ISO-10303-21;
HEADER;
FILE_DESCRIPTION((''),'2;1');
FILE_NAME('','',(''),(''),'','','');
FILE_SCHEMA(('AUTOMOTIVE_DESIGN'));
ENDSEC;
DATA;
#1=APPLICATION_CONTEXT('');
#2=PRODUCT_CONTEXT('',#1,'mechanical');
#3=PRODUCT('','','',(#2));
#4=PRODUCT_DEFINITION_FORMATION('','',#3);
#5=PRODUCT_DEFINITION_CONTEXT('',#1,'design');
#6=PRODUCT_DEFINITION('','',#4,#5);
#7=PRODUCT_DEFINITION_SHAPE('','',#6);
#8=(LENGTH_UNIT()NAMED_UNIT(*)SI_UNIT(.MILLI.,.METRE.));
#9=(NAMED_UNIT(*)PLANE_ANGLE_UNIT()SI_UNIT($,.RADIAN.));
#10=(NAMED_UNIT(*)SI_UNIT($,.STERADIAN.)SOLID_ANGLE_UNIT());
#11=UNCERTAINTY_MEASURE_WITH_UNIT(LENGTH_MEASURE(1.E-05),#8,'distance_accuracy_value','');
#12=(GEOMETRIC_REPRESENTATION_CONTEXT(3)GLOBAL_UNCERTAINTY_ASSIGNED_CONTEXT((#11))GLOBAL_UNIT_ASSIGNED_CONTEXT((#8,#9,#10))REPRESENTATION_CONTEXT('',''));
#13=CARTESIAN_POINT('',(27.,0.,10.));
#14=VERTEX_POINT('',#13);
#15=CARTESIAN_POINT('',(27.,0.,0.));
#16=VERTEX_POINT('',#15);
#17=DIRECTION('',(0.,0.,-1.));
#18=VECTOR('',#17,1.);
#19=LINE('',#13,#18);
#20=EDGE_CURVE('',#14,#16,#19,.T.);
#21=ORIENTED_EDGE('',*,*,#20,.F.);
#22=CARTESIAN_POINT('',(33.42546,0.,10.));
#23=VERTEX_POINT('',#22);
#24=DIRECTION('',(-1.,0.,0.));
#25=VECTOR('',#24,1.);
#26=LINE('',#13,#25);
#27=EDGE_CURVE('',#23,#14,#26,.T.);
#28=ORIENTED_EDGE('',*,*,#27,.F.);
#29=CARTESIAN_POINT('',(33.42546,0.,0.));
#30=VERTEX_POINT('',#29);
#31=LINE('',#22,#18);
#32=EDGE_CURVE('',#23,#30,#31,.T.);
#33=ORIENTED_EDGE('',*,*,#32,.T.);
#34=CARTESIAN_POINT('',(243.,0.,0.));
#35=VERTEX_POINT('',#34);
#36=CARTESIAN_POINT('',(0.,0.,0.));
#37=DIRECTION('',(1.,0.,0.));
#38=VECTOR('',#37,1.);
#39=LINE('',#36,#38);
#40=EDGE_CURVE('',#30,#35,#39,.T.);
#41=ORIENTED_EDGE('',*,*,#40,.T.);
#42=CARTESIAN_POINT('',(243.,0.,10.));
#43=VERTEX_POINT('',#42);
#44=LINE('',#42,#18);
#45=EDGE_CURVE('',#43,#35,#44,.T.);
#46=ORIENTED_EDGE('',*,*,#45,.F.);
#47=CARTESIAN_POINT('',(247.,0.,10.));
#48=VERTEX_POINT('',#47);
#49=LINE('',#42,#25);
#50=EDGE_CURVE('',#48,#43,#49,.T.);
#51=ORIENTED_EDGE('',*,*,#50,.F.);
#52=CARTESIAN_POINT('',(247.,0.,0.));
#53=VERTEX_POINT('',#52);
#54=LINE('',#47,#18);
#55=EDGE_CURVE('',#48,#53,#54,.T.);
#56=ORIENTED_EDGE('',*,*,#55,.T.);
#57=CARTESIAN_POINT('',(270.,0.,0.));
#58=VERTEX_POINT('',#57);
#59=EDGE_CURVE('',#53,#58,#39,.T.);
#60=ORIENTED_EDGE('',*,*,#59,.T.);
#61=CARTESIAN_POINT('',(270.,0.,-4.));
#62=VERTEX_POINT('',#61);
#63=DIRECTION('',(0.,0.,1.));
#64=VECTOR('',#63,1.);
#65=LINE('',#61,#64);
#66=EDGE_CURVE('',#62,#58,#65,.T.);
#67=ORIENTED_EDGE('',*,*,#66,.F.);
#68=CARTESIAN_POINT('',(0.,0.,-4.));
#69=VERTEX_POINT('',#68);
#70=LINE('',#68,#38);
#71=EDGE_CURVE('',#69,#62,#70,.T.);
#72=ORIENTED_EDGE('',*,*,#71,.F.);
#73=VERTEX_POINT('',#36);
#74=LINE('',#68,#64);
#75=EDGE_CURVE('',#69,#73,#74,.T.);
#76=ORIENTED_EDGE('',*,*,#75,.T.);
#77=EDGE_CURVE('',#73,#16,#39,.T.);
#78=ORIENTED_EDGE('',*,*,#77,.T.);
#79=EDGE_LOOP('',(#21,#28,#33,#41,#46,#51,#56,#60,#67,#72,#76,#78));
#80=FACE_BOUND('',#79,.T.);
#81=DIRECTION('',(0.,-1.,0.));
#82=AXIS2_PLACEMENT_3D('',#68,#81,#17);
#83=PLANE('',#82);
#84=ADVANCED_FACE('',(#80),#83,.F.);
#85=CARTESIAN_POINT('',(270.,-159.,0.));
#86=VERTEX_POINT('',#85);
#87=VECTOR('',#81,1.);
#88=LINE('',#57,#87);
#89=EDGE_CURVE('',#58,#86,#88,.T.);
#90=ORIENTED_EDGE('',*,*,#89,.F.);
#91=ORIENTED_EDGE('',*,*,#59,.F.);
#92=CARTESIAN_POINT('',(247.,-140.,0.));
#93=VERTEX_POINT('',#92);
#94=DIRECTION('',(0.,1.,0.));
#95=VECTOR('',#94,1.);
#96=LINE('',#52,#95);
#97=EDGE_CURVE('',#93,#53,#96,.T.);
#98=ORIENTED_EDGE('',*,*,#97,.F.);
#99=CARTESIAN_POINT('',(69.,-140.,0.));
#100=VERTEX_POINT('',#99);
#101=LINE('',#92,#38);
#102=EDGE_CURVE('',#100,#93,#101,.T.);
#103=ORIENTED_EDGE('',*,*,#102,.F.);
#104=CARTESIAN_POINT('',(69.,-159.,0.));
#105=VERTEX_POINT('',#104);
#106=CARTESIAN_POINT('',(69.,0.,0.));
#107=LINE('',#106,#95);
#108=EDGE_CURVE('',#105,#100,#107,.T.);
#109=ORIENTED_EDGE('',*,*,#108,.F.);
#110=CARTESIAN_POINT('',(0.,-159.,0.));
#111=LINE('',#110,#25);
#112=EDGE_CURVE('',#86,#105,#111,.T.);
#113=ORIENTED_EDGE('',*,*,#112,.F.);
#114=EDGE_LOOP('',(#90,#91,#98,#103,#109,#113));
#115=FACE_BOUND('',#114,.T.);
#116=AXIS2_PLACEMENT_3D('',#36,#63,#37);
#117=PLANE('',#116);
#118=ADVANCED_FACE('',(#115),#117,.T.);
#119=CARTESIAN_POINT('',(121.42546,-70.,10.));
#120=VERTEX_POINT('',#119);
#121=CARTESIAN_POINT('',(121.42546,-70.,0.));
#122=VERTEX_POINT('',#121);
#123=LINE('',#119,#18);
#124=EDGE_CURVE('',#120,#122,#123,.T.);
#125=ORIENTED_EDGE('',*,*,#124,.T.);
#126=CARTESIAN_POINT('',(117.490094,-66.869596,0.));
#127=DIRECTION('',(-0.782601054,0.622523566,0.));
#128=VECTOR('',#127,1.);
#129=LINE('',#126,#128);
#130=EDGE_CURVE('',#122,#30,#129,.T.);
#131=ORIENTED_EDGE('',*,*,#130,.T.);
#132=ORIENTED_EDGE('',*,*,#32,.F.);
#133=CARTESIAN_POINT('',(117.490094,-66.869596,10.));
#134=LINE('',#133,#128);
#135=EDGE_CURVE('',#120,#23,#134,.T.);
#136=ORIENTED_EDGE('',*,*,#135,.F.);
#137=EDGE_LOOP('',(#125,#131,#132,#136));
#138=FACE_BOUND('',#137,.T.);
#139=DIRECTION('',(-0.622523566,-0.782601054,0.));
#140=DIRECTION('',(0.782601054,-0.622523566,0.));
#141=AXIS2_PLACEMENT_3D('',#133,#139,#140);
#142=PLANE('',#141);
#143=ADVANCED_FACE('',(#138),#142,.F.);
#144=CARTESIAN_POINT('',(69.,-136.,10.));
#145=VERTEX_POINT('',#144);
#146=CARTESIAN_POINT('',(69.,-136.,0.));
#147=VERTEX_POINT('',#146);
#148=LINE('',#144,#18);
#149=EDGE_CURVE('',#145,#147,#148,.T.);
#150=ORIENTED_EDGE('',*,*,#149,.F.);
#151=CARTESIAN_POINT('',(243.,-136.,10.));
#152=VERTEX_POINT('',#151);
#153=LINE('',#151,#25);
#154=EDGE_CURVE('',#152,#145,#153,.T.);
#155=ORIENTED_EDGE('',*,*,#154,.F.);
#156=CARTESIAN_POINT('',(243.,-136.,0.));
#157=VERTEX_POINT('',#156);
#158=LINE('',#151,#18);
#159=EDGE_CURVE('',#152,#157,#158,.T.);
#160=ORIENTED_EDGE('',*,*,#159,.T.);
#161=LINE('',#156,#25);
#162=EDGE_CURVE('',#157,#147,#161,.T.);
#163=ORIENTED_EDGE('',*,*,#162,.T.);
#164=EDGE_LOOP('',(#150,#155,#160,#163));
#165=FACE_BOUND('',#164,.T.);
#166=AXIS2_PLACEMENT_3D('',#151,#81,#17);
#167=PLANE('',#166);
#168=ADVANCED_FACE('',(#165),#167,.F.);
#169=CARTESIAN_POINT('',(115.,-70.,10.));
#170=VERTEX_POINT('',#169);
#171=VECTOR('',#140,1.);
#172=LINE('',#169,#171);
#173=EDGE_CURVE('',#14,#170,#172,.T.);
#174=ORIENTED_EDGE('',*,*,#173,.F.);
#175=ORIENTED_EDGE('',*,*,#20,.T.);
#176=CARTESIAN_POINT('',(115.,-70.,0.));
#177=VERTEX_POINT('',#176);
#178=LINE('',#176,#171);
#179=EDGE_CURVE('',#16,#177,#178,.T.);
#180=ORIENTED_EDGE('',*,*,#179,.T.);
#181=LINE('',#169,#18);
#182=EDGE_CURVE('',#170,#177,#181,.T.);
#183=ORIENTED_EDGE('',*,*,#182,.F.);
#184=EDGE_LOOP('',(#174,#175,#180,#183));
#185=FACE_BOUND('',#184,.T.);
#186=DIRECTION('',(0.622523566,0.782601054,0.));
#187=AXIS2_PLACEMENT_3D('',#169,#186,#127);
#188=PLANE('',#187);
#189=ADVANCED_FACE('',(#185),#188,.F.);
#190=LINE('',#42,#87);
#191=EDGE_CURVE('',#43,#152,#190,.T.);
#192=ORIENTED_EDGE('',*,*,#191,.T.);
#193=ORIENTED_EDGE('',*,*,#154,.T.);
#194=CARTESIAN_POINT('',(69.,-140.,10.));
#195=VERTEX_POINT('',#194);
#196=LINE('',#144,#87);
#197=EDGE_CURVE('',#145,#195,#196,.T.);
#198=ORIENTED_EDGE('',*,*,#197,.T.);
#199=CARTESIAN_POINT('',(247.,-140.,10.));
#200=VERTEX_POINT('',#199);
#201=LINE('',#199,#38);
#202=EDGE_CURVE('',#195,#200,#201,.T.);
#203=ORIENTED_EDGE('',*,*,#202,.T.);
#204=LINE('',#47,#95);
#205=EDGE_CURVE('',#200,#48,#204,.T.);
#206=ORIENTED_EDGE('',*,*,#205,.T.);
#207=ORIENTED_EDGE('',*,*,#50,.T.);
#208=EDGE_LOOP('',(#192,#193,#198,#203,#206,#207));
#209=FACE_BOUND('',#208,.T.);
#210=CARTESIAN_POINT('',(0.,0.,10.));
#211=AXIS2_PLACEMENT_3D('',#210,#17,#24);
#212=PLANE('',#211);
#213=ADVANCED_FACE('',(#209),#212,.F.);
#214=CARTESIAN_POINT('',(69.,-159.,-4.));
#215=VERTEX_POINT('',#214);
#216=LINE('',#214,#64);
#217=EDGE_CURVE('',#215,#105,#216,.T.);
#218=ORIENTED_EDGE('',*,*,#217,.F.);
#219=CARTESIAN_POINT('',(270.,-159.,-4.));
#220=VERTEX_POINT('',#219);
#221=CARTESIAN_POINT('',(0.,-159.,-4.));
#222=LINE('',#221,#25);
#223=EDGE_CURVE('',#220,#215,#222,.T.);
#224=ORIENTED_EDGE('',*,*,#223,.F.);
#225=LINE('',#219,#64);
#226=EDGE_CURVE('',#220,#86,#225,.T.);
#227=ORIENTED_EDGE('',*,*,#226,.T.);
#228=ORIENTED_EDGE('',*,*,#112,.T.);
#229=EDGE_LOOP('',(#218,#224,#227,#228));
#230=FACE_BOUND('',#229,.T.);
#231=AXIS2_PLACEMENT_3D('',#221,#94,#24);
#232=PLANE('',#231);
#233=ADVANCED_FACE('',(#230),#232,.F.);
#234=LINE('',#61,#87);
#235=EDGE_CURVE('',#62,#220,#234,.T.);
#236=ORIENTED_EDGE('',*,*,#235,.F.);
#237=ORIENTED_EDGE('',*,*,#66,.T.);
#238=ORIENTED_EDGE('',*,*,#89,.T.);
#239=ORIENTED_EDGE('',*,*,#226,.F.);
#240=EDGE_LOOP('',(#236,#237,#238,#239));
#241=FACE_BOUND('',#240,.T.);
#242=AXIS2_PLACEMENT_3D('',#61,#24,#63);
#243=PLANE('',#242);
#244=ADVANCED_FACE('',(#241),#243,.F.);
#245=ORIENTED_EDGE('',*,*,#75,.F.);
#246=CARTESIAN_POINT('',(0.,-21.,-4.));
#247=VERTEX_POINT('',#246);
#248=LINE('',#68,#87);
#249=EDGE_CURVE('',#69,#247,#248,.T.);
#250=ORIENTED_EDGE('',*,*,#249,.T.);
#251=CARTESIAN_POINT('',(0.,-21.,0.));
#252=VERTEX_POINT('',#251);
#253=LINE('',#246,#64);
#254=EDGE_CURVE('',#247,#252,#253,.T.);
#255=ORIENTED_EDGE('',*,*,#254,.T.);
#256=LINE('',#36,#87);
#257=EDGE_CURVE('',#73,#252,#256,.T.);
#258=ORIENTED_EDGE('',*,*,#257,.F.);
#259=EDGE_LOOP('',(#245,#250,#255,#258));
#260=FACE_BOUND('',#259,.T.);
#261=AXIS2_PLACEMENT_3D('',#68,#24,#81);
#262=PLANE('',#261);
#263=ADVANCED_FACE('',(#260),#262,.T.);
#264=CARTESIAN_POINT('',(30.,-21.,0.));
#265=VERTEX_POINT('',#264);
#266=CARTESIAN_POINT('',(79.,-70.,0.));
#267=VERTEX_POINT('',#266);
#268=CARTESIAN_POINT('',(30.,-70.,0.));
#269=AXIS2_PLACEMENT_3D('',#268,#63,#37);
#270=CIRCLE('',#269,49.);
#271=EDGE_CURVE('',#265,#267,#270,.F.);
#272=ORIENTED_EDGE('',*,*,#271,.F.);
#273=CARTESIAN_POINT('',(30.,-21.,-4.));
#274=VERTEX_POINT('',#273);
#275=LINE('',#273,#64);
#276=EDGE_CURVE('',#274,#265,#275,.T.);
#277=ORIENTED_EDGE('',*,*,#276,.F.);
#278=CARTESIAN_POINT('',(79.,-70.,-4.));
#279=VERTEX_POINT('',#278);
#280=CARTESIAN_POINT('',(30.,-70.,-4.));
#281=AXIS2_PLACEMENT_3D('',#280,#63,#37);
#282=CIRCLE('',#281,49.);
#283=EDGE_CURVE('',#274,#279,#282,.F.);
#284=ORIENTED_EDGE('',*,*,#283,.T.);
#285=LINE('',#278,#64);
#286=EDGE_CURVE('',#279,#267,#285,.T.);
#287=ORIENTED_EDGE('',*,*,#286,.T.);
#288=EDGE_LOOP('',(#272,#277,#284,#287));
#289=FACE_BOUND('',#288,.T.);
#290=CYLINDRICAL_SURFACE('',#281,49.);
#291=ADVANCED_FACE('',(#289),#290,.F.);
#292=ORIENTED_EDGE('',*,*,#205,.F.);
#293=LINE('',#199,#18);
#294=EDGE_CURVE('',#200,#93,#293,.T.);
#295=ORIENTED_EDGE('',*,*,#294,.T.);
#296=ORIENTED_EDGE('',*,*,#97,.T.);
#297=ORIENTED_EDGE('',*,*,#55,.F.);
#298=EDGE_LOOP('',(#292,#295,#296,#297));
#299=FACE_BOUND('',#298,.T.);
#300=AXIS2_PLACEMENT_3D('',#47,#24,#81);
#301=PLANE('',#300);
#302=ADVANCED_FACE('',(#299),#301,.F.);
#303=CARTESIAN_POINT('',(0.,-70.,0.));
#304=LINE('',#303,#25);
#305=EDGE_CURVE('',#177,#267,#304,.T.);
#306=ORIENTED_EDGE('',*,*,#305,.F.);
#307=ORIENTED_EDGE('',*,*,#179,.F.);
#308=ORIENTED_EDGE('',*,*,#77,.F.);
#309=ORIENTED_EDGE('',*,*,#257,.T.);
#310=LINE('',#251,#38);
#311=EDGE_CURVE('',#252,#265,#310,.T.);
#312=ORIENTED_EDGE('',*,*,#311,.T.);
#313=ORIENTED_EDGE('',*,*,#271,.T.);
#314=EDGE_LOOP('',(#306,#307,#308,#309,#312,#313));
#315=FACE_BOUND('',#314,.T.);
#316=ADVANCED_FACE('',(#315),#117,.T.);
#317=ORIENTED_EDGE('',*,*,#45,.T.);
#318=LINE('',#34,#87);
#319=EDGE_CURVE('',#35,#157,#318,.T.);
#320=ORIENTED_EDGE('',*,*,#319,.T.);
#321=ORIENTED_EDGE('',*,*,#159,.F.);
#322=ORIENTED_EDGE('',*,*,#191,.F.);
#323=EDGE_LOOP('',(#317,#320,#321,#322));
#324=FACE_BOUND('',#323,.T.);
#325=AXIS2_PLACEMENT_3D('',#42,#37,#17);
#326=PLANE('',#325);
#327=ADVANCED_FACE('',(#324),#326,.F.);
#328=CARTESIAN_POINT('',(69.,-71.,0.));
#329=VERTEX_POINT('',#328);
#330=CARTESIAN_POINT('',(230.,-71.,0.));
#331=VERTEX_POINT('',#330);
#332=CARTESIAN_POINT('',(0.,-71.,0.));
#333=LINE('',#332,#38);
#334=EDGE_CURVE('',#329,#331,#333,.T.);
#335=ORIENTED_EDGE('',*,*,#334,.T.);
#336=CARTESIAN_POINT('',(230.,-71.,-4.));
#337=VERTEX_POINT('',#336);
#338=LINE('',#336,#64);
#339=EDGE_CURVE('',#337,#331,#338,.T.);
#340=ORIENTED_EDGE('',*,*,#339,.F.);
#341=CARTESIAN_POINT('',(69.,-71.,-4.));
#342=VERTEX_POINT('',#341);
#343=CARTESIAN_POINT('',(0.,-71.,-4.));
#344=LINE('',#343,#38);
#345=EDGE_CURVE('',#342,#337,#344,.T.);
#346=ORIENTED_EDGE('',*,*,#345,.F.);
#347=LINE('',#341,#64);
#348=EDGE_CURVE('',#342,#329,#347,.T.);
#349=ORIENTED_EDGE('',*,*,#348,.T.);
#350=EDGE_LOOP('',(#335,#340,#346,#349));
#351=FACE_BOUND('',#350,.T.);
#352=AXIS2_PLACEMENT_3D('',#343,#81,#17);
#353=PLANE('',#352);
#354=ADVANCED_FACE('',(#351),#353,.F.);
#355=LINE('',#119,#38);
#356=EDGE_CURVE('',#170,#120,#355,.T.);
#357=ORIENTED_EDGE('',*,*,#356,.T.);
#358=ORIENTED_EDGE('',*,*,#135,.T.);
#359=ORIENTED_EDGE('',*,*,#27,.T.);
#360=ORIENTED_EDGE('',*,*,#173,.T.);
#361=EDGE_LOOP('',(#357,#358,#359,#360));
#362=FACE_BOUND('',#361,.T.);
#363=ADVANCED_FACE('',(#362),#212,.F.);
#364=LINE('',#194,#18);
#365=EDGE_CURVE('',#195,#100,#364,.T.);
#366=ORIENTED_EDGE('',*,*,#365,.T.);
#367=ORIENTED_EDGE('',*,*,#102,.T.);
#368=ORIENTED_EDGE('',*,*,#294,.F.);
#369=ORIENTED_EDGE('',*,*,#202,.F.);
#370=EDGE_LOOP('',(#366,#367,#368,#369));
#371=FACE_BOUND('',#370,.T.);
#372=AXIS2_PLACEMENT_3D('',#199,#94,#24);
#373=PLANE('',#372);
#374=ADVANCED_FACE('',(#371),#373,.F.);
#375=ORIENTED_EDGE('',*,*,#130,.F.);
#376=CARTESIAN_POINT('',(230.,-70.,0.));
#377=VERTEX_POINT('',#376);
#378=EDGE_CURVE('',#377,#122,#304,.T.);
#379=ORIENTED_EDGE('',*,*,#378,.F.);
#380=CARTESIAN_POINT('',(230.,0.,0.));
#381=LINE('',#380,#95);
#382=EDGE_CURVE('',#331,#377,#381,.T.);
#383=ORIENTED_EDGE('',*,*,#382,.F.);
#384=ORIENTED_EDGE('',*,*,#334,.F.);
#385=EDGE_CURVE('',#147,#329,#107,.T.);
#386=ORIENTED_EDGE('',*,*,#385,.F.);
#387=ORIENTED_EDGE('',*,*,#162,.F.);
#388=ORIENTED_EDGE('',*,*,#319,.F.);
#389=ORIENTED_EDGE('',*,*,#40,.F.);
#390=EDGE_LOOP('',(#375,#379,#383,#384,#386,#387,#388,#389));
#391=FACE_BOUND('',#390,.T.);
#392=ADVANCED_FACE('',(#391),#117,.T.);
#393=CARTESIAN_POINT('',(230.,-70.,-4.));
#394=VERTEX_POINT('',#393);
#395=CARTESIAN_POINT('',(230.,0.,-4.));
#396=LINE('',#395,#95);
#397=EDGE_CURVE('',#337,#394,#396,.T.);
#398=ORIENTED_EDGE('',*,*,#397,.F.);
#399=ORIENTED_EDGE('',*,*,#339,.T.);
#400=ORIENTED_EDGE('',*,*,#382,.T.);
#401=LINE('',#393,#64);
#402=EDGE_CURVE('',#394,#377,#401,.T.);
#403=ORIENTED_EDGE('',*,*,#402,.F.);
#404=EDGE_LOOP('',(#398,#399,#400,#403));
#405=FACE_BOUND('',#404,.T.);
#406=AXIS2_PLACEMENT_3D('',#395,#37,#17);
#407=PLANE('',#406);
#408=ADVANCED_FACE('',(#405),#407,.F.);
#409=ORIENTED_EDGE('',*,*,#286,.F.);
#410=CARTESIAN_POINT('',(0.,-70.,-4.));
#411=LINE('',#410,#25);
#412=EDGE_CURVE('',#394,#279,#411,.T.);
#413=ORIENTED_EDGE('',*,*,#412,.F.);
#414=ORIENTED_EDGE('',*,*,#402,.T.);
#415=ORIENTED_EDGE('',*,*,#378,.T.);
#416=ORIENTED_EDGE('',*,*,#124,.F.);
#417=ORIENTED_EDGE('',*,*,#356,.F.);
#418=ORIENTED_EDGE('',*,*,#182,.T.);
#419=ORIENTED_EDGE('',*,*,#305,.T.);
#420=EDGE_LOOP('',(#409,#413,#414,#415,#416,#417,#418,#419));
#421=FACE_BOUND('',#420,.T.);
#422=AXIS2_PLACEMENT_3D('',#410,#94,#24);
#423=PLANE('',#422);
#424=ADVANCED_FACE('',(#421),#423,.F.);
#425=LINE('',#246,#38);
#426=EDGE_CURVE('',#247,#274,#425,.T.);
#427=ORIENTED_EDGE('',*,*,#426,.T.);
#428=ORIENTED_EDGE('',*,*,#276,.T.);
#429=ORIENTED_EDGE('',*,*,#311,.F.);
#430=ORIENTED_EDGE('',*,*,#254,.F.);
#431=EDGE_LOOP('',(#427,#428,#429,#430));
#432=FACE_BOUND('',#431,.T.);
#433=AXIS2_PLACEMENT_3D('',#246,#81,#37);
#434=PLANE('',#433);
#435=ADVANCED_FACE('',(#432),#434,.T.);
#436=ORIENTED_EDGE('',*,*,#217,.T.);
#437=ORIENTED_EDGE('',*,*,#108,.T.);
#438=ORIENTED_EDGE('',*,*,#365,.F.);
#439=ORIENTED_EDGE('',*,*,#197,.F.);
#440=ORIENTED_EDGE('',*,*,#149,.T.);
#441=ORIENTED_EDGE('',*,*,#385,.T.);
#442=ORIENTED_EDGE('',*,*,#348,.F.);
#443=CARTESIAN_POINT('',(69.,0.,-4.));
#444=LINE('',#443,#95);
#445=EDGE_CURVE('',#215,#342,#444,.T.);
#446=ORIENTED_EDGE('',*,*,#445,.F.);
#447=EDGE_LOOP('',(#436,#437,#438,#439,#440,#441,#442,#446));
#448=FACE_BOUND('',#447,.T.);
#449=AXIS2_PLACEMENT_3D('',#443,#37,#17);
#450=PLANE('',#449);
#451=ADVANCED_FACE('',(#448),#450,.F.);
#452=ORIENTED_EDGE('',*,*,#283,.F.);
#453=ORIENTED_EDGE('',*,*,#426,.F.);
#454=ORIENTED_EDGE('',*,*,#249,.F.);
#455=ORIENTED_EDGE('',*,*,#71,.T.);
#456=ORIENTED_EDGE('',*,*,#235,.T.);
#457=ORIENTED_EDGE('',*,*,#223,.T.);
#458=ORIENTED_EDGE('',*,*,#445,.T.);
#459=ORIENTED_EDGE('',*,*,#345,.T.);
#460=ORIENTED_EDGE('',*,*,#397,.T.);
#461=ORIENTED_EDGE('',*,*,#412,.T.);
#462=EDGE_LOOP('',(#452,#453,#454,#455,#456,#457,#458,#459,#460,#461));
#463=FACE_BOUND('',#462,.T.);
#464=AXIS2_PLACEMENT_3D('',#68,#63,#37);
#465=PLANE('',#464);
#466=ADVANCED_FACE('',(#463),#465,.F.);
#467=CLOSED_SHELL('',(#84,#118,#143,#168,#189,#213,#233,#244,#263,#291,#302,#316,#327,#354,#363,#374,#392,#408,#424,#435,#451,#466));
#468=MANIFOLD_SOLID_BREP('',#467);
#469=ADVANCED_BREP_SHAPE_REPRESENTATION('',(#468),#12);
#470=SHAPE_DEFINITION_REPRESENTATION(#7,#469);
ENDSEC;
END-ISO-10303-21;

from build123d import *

# Parameters (mm, degrees)
BOSS_EXTRUDE1_DEPTH = 4
BOSS_EXTRUDE2_DEPTH = 10


with BuildPart() as part:
    # Sketch1 → Boss-Extrude1 (new body)
    with BuildSketch(Plane.XY):
        with BuildLine():
            Line((270, 0), (0, 0))
            Line((0, 0), (0, -21))
            Line((0, -21), (30, -21))
            ThreePointArc((30, -21), (64.648232278, -35.351767722), (79, -70))
            Line((79, -70), (230, -70))
            Line((230, -70), (270, -70))
            Line((270, -70), (270, 0))
        make_face()
        Polygon((270, -159), (270, -70), (230, -70), (230, -71), (69, -71), (69, -159), align=None)
    extrude(amount=-BOSS_EXTRUDE1_DEPTH)

    # Sketch2 → Boss-Extrude2 (add)
    with BuildSketch(Plane.XY):
        Polygon((247, 0), (247, -140), (69, -140), (69, -136), (243, -136), (243, 0), align=None)
        Polygon((115, -70), (27, 0), (33.425459564, 0), (117.490094263, -66.869595783), (121.425459564, -70), align=None)
    extrude(amount=BOSS_EXTRUDE2_DEPTH)


solid = part.part
